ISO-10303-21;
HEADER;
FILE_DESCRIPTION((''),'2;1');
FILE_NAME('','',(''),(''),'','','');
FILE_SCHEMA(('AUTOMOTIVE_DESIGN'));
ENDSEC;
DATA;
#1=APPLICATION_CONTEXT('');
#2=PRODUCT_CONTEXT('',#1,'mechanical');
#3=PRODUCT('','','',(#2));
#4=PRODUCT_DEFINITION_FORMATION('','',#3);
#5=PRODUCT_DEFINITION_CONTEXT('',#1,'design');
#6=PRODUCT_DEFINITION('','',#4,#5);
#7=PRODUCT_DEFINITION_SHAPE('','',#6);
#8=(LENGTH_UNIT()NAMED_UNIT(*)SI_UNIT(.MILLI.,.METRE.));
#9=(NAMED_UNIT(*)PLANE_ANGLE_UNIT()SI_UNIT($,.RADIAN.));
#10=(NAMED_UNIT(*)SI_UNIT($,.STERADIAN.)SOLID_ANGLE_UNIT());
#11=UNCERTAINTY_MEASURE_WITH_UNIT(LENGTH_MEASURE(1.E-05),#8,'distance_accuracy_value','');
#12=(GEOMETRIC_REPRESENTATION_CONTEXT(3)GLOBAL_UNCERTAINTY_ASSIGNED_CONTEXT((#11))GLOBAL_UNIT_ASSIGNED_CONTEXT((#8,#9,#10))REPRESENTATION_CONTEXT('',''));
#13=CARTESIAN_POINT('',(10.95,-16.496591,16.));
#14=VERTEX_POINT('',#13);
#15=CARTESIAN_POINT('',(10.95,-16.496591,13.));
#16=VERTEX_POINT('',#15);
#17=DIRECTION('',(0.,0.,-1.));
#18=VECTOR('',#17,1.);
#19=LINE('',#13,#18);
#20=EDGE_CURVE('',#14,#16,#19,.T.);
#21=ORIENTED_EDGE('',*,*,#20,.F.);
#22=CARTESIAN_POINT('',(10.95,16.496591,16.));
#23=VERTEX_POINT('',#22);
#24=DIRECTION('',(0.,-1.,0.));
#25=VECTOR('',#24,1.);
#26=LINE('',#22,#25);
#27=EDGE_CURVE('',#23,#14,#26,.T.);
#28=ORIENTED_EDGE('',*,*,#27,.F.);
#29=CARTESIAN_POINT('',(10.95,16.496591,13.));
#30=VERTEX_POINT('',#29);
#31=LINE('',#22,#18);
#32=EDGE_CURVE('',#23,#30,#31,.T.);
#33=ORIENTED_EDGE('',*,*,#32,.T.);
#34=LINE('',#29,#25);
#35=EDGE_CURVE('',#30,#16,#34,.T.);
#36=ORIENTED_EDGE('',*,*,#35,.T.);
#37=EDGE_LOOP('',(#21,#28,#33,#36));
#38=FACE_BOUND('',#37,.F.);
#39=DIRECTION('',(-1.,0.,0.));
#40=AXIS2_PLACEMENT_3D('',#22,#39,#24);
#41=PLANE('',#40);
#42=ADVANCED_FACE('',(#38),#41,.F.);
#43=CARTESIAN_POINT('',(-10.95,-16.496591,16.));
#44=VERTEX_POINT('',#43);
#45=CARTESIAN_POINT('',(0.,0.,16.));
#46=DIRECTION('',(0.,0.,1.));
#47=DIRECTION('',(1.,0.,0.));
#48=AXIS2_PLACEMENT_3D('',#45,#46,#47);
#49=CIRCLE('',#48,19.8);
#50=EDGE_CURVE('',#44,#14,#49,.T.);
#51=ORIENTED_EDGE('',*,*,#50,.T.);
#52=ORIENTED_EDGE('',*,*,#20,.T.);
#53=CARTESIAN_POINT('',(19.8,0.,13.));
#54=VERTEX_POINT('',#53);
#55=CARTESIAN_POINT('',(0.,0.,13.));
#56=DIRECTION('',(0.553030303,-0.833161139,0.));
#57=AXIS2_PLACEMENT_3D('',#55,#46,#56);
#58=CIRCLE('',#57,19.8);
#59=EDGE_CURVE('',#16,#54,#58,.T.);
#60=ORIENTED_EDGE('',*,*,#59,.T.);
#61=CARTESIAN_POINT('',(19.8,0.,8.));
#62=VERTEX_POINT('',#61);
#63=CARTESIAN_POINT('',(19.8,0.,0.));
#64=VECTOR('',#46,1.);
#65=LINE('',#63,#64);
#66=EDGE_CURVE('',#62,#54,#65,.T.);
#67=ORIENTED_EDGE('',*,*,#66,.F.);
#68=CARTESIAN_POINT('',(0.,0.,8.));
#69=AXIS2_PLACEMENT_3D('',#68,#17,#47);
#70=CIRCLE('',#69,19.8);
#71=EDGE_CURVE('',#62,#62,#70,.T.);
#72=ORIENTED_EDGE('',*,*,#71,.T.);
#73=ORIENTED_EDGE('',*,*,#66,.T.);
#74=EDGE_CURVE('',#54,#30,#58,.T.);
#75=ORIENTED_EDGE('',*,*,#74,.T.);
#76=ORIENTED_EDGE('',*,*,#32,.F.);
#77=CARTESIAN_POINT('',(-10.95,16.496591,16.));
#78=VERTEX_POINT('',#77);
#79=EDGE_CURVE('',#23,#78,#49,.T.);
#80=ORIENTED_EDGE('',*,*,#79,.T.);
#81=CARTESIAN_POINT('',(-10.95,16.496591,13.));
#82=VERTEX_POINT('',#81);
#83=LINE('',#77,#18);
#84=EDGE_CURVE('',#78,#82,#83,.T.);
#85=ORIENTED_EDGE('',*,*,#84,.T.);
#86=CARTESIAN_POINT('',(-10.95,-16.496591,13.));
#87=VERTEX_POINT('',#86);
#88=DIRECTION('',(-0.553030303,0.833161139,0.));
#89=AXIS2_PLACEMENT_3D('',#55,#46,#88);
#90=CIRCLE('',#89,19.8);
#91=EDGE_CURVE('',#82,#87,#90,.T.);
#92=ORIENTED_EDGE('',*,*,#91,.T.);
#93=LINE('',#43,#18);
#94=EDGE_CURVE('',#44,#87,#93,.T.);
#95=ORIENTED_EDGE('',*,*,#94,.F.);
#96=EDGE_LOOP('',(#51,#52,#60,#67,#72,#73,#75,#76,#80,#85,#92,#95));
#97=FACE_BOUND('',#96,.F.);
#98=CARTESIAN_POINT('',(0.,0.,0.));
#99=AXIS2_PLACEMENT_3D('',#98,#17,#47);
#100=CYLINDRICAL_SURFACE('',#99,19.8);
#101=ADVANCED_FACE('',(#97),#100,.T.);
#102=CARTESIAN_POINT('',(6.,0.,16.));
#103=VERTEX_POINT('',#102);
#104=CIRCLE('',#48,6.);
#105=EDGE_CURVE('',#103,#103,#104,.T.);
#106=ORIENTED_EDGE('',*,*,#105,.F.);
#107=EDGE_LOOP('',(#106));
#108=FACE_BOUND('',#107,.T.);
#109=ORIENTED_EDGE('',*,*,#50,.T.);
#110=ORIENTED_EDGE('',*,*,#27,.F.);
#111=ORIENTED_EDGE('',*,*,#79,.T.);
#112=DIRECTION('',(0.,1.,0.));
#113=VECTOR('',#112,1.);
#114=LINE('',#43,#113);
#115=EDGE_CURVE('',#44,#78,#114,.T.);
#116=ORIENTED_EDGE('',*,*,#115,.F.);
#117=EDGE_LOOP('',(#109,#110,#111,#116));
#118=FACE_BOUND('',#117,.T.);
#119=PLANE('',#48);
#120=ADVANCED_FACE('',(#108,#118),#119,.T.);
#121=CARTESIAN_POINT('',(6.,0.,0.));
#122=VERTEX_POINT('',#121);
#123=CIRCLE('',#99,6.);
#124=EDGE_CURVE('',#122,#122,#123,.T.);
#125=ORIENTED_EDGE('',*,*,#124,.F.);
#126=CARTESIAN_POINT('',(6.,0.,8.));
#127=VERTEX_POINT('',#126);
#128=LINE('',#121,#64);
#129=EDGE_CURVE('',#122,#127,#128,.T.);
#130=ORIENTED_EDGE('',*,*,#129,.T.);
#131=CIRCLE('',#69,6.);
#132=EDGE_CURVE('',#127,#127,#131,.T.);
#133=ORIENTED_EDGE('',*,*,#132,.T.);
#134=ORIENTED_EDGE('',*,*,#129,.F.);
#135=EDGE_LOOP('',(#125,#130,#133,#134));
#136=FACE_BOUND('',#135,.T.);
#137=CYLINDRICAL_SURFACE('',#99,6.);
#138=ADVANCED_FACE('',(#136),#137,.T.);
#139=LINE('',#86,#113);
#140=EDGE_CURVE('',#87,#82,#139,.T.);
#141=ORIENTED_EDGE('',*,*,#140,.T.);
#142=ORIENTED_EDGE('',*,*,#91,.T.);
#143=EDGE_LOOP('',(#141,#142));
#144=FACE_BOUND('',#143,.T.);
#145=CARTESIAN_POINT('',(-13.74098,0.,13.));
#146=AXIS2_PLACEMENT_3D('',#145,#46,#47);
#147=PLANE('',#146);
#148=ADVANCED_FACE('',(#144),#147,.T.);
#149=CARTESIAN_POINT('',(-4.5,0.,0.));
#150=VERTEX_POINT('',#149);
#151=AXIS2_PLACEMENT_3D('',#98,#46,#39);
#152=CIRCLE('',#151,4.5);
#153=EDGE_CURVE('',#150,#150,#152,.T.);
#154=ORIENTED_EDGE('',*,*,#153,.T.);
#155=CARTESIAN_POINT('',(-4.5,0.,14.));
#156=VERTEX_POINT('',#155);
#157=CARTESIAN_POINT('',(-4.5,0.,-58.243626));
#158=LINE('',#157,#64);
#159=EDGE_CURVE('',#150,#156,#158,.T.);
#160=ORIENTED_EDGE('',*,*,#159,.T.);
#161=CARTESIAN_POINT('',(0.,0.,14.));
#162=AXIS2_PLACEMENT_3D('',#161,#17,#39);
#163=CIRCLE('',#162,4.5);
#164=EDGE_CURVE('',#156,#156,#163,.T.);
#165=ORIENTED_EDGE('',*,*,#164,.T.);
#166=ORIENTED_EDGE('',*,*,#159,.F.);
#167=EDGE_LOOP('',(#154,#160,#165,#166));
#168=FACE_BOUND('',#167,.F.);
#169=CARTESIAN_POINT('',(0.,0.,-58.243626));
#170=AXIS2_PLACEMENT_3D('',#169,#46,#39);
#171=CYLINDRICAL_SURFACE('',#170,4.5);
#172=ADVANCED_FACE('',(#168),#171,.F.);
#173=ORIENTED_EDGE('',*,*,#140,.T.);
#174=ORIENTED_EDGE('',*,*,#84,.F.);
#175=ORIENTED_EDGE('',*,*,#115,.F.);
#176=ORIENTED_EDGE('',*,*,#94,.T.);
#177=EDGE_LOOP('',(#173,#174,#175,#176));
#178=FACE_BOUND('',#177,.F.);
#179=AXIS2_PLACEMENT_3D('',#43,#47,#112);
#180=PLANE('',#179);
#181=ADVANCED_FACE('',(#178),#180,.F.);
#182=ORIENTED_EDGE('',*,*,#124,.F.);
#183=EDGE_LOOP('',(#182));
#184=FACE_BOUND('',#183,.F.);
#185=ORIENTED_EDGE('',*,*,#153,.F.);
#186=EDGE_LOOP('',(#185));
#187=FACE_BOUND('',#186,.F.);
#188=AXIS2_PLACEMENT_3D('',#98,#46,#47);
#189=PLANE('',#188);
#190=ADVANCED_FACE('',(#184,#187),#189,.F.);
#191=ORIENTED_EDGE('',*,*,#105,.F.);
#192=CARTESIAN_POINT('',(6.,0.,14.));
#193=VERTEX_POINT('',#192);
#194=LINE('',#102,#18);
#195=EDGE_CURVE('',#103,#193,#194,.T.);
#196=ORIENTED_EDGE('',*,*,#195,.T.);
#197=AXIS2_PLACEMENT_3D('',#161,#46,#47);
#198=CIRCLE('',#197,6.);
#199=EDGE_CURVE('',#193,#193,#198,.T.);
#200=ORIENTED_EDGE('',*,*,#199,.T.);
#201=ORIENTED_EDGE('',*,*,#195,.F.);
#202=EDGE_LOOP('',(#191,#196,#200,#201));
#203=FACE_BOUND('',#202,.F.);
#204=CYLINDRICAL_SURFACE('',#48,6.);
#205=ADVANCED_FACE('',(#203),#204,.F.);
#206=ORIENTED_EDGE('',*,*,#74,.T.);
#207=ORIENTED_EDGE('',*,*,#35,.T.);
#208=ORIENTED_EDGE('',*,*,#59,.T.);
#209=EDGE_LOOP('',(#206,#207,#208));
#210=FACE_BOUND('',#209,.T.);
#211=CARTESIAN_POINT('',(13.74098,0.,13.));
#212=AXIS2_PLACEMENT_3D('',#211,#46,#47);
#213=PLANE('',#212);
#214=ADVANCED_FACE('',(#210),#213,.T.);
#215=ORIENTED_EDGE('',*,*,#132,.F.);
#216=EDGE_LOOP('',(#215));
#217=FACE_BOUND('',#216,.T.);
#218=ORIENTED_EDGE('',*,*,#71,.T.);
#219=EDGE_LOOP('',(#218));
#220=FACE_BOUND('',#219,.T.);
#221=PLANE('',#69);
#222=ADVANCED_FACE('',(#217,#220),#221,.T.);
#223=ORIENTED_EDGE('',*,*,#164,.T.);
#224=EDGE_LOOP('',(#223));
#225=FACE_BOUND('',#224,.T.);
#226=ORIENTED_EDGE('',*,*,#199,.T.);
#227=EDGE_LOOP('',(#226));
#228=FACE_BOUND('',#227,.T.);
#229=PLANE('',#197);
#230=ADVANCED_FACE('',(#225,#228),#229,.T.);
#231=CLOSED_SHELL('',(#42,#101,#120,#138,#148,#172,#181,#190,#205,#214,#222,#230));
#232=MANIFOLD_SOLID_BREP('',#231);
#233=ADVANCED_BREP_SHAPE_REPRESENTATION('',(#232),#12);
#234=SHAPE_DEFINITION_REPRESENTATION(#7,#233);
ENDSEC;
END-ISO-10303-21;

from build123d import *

# Parameters (mm, degrees)
F0_R     = 19.8
F1_DEPTH = 16
F3_DEPTH = 3
F4_R     = 19.8
F4_R_2   = 6
F5_DEPTH = 8
F7_D     = 9
F8_R     = 6
F8_R_2   = 4.5
F9_DEPTH = 2


with BuildPart() as f1:
    # F0 (on Top) → F1 (new body)
    with BuildSketch(Plane.XY):
        Circle(F0_R)
    extrude(amount=F1_DEPTH)

    # F2 (on face) → F3 (cut)
    with BuildSketch(Plane.XY.offset(16)):
        with BuildLine():
            Line((-10.95, -16.4965905568), (-10.95, 16.4965905568))
            ThreePointArc((-10.95, 16.4965905568), (-19.8, 0), (-10.95, -16.4965905568))
        make_face()
        with BuildLine():
            ThreePointArc((19.8, 0), (17.4477792283, 9.3602884571), (10.95, 16.4965905568))
            Line((10.95, 16.4965905568), (10.95, -16.4965905568))
            ThreePointArc((10.95, -16.4965905568), (17.4477792283, -9.3602884571), (19.8, 0))
        make_face()
    extrude(amount=-F3_DEPTH, mode=Mode.SUBTRACT)

    # F4 (on face) → F5 (cut)
    with BuildSketch(Plane(origin=(0, 0, 0), x_dir=(1, 0, 0), z_dir=(0, 0, -1))):
        Circle(F4_R)
        Circle(F4_R_2, mode=Mode.SUBTRACT)
    extrude(amount=-F5_DEPTH, mode=Mode.SUBTRACT)

    # F7 (through all)
    with Locations(Plane(origin=(0, 0, 0), x_dir=(1, 0, 0), z_dir=(0, 0, -1))):
        with Locations((0, 0)):
            Hole(F7_D / 2)

    # F8 (on face) → F9 (cut)
    with BuildSketch(Plane.XY.offset(16)):
        Circle(F8_R)
        Circle(F8_R_2, mode=Mode.SUBTRACT)
    extrude(amount=-F9_DEPTH, mode=Mode.SUBTRACT)


solid = f1.part
